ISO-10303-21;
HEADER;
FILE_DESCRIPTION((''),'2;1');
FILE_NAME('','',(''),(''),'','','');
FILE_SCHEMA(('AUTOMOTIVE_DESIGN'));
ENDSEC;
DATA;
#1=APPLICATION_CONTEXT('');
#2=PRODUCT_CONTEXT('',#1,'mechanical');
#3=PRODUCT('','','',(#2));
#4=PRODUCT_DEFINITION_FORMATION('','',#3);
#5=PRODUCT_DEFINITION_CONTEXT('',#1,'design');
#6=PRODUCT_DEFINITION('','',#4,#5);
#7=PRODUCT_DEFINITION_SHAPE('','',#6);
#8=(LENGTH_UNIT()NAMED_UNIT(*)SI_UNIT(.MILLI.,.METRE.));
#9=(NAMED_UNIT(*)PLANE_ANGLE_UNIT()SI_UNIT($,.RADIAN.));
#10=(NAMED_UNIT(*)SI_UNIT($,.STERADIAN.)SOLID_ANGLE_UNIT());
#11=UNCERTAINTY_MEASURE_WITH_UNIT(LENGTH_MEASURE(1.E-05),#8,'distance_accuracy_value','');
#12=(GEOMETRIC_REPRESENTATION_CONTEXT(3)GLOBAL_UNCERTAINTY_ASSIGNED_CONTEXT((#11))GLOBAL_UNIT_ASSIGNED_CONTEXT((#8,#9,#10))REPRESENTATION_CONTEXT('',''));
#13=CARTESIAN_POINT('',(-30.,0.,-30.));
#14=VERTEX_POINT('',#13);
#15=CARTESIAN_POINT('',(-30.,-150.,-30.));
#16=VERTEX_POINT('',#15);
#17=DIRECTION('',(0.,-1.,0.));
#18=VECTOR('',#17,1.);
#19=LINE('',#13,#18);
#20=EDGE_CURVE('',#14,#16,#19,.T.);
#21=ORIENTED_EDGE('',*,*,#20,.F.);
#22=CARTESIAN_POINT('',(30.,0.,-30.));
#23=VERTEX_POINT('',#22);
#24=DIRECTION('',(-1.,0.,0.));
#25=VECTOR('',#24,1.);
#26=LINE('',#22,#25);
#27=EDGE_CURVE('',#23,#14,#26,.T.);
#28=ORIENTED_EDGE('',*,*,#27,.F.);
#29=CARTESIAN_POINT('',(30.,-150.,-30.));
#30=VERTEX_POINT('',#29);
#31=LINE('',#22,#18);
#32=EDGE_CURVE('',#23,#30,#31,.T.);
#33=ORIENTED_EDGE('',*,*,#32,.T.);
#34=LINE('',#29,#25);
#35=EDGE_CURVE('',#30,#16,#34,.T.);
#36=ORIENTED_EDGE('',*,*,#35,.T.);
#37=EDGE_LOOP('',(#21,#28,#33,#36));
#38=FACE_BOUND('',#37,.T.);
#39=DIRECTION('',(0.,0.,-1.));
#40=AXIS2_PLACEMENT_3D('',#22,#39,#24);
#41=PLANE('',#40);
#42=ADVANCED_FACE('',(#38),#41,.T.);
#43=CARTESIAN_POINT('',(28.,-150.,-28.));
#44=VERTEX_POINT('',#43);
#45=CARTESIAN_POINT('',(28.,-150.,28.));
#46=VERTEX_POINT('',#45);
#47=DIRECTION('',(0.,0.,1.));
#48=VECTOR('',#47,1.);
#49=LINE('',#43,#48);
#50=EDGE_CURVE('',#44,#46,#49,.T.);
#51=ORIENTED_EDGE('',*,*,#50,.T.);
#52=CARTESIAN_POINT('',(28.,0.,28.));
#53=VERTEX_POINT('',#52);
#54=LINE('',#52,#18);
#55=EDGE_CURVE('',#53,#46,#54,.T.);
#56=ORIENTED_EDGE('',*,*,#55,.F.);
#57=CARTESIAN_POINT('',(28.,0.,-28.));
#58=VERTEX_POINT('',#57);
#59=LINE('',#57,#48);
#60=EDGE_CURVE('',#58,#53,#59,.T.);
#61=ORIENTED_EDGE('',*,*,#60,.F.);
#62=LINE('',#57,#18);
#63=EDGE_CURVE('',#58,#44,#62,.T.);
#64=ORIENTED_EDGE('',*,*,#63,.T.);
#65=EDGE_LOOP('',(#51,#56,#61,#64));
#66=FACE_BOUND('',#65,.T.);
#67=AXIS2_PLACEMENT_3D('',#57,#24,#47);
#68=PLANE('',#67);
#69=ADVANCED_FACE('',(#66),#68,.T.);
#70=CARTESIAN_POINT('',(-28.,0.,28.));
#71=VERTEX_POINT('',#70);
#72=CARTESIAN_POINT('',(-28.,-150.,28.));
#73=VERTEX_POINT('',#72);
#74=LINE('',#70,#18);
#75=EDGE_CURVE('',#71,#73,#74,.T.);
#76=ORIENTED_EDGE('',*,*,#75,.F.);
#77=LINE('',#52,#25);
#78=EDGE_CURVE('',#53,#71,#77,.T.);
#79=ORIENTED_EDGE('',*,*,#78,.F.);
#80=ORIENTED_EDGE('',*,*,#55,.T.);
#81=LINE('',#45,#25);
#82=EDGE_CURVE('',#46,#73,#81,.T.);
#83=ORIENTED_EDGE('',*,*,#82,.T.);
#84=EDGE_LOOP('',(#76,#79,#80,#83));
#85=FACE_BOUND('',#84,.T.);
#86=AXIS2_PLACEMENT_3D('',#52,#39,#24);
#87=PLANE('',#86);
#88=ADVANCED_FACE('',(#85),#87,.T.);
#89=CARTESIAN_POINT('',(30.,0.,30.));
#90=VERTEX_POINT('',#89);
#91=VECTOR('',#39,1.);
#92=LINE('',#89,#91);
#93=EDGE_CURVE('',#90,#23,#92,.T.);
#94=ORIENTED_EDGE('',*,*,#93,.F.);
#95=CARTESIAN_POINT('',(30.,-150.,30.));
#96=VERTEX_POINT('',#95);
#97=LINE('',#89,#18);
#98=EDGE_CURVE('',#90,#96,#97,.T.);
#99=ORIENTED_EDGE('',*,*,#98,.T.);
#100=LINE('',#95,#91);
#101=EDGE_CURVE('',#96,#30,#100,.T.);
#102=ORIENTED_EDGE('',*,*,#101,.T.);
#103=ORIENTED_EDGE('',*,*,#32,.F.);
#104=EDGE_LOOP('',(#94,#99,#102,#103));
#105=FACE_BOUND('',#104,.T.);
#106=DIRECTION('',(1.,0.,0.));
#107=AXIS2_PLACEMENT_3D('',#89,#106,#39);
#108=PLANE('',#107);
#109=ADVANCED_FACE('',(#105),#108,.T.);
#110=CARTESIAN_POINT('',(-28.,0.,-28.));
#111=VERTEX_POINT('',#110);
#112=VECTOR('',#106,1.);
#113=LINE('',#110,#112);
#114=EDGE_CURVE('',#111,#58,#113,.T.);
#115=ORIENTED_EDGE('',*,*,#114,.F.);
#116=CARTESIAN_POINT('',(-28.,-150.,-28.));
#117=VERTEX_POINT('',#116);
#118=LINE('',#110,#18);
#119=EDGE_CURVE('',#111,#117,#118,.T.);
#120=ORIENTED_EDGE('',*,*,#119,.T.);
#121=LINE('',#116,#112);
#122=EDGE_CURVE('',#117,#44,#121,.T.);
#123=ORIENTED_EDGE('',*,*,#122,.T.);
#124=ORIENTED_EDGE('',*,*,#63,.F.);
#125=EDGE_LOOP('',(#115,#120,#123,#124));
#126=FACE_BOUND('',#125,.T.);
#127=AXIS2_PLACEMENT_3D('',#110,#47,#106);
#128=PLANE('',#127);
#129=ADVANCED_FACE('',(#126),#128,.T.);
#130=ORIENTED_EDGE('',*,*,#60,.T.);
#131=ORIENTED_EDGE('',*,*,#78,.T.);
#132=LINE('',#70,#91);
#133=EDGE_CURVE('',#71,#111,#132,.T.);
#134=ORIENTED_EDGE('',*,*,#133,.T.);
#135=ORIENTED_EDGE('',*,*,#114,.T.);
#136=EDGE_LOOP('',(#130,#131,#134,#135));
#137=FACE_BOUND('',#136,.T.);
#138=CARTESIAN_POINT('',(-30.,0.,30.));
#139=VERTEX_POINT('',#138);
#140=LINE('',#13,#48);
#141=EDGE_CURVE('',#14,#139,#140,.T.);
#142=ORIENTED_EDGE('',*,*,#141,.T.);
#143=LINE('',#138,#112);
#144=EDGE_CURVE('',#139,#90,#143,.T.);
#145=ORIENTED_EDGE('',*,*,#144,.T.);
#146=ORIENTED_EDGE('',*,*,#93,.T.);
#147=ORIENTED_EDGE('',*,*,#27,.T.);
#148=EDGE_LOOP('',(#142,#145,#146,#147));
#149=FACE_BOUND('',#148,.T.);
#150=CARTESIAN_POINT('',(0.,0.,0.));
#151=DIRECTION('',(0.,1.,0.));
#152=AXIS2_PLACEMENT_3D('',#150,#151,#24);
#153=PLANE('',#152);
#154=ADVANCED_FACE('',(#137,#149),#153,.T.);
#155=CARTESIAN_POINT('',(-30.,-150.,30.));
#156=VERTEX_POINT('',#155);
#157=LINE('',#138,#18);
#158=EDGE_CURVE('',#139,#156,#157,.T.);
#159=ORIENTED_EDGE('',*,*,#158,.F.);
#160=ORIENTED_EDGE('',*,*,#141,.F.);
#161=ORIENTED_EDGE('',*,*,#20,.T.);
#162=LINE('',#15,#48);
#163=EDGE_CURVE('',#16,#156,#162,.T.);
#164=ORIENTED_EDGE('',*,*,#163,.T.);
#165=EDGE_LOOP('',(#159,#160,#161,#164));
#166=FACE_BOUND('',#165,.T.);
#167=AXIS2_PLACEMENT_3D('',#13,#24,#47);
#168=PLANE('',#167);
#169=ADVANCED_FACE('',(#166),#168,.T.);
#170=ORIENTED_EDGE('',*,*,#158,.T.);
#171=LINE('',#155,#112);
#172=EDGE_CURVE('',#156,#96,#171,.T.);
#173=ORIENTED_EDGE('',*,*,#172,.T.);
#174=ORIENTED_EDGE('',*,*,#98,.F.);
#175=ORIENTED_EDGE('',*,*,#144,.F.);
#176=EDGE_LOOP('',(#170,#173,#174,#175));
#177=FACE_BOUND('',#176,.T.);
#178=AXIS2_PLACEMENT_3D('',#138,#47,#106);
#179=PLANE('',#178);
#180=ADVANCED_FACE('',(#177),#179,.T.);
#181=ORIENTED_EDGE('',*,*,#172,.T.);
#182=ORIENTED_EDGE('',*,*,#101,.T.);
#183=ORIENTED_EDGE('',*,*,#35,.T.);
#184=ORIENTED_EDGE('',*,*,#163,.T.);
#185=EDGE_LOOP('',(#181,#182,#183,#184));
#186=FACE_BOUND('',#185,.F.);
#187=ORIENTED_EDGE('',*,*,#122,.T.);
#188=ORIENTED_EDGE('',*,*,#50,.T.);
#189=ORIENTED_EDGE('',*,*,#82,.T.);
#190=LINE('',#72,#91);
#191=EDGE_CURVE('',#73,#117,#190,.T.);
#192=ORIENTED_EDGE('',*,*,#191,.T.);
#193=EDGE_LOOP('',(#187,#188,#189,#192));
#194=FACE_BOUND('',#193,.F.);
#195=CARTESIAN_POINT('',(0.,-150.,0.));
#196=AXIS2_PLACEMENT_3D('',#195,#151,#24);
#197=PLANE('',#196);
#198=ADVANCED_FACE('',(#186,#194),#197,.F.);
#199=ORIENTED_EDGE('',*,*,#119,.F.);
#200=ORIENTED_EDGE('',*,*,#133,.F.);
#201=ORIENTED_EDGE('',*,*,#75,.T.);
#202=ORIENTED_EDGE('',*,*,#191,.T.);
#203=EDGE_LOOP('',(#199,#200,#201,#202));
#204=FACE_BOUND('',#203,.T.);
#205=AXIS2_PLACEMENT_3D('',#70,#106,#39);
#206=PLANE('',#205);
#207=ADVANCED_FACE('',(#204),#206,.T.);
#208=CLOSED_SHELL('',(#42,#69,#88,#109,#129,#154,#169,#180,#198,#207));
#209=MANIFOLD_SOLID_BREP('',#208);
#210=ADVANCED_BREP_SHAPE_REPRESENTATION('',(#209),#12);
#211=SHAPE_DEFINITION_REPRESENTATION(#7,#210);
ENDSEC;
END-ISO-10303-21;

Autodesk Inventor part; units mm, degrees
ref_plane "YZ Plane" through (0, 0, 0) normal (1, 0, 0) x (0, 1, 0)
ref_plane "XZ Plane" through (0, 0, 0) normal (0, 1, 0) x (-1, 0, 0)
ref_plane "XY Plane" through (0, 0, 0) normal (0, 0, 1) x (1, 0, 0)
sketch "Sketch9" plane through (0, 0, 0) normal (0, 1, 0) x (-1, 0, 0)
  line L0 (30, 30) -> (-30, 30)
  line L1 (-30, 30) -> (-30, -30)
  line L2 (-30, -30) -> (30, -30)
  line L3 (30, -30) -> (30, 30)
  line L4 (30, 30) -> (-30, -30) construction
  line L5 (-30, 30) -> (30, -30) construction
  line L6 (-28, 28) -> (28, 28)
  line L7 (28, 28) -> (28, -28)
  line L8 (28, -28) -> (-28, -28)
  line L9 (-28, -28) -> (-28, 28)
  point P0 (0, 0)
  dimension "d172" = 60
  dimension "d173" = 60
  dimension "d174" = 2
extrude "Extrusion3" add sketch "Sketch9" against normal blind 150
properties part number "TZS 1762 FDS 940x50 column" material "Stainless Steel"
